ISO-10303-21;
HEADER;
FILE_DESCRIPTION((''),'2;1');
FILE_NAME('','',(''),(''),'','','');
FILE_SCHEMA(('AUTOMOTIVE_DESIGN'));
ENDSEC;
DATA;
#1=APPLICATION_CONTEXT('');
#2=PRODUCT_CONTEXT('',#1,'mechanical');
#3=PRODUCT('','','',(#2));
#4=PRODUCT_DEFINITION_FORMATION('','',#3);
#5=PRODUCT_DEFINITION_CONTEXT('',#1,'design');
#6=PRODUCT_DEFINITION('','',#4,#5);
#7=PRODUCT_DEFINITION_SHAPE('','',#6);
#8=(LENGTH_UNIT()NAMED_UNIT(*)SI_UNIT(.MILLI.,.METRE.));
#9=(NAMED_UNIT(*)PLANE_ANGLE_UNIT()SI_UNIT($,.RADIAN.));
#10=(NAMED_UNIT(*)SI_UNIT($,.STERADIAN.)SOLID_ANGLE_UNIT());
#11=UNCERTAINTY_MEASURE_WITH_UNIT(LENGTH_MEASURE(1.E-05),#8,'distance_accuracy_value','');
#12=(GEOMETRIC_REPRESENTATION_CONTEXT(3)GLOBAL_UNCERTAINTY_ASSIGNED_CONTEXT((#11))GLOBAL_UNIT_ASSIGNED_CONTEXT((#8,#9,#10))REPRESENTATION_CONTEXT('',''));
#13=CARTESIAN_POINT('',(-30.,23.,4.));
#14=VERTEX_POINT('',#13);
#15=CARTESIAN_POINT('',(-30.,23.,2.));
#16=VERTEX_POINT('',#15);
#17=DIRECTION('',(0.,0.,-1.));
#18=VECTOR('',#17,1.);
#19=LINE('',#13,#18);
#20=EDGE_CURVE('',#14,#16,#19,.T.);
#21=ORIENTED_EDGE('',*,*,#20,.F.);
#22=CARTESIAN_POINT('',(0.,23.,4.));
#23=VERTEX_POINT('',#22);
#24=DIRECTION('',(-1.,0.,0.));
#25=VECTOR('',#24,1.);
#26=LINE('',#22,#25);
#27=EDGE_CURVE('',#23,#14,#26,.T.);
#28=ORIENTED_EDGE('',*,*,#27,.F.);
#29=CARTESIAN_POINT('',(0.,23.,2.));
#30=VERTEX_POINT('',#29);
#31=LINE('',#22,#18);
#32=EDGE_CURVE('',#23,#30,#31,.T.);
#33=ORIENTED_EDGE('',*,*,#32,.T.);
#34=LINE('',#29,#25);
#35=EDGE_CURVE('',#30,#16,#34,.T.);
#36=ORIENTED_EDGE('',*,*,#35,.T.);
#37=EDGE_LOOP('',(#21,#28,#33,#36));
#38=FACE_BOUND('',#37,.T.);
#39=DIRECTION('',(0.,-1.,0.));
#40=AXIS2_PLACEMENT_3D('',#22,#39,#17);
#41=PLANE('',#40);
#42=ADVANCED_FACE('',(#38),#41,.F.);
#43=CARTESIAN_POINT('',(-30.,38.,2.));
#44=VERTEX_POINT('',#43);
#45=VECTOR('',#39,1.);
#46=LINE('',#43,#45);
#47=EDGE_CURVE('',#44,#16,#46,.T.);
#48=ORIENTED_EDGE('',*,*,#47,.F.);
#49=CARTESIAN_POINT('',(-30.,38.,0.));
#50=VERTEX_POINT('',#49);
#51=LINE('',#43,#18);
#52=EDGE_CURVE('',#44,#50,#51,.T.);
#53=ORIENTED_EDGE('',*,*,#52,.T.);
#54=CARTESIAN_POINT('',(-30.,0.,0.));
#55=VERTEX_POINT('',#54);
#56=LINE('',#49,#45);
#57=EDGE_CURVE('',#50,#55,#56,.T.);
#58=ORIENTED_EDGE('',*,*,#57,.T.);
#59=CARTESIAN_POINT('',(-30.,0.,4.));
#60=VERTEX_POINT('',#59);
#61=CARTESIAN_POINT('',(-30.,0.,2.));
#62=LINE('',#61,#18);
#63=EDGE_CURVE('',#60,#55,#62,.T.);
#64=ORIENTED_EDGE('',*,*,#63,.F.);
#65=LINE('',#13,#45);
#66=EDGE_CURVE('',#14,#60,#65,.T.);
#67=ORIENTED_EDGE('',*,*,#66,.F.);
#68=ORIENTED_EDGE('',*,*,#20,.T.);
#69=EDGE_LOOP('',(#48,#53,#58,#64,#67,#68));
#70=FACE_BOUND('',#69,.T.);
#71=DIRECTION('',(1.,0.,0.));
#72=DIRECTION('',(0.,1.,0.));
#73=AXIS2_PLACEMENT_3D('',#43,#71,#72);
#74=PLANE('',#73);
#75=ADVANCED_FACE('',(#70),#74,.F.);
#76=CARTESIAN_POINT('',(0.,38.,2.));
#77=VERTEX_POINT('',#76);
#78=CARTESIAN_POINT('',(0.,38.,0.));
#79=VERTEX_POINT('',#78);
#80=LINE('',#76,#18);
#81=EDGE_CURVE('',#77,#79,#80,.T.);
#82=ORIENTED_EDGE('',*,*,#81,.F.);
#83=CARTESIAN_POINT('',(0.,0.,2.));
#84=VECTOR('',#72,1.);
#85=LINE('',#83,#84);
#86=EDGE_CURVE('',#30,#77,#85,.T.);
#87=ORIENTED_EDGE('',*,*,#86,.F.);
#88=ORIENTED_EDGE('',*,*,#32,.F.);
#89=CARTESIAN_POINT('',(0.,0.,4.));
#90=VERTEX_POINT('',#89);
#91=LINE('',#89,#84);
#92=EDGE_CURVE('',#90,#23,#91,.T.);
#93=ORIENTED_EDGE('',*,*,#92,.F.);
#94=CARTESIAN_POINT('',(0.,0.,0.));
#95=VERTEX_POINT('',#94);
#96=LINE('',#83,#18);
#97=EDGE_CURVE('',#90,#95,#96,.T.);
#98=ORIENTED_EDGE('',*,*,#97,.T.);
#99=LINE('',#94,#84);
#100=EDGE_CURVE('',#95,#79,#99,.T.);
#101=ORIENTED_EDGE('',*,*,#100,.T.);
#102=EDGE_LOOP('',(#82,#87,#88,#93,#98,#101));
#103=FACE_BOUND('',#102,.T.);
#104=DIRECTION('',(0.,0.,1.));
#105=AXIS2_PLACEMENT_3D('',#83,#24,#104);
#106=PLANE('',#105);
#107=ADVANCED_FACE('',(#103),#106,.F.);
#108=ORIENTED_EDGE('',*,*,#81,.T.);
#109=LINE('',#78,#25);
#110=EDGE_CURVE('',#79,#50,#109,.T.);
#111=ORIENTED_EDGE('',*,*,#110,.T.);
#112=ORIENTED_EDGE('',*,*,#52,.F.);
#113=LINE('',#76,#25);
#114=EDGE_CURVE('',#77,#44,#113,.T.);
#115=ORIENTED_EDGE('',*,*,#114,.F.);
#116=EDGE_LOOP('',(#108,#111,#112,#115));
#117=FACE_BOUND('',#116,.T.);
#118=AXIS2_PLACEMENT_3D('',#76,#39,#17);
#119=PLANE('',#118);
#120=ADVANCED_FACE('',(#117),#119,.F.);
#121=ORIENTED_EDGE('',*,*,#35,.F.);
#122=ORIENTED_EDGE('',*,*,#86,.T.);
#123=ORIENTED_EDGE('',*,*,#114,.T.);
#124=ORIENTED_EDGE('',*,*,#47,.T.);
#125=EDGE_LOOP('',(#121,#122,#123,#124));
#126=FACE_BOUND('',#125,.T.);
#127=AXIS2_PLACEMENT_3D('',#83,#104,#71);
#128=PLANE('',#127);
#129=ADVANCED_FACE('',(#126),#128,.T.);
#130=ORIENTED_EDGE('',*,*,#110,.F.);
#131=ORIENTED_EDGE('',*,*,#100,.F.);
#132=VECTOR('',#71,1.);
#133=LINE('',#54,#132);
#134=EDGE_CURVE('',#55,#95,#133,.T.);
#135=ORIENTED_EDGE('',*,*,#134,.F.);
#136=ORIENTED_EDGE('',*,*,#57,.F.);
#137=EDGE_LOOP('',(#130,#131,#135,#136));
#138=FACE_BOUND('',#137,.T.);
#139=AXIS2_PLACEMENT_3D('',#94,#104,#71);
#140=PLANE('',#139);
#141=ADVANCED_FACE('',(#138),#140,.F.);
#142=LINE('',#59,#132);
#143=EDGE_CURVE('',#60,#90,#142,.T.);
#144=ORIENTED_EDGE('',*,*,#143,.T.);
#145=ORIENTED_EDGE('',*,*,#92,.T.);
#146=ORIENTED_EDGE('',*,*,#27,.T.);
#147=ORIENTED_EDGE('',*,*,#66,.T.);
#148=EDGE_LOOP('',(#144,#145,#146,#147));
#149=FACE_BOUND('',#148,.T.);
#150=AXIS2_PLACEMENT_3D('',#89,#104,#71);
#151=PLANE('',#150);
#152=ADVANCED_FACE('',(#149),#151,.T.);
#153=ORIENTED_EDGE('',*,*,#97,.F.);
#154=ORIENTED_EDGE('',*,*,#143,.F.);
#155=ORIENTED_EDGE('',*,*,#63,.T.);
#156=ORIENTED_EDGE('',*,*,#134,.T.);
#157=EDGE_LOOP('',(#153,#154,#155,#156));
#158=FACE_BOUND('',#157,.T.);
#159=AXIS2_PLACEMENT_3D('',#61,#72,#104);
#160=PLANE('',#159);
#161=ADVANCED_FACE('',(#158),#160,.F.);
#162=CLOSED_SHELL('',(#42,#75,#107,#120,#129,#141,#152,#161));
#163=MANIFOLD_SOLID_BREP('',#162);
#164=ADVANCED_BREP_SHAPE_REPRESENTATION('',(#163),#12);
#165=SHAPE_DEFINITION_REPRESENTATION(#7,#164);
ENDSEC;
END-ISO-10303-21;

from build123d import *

# Parameters (mm, degrees)
SKETCH_1_W      = 30
SKETCH_1_H      = 38
EXTRUDE_1_DEPTH = 2
SKETCH_2_W      = 30
SKETCH_2_H      = 23
EXTRUDE_2_DEPTH = 2


with BuildPart() as part:
    # 草图1 → 凸台-拉伸1 (new body)
    with BuildSketch(Plane.XY):
        with Locations((-15, 19)):
            Rectangle(SKETCH_1_W, SKETCH_1_H)
    extrude(amount=EXTRUDE_1_DEPTH)

    # 草图2 → 凸台-拉伸2 (add)
    with BuildSketch(Plane.XY.offset(2)):
        with Locations((-15, 11.5)):
            Rectangle(SKETCH_2_W, SKETCH_2_H)
    extrude(amount=EXTRUDE_2_DEPTH)


solid = part.part
